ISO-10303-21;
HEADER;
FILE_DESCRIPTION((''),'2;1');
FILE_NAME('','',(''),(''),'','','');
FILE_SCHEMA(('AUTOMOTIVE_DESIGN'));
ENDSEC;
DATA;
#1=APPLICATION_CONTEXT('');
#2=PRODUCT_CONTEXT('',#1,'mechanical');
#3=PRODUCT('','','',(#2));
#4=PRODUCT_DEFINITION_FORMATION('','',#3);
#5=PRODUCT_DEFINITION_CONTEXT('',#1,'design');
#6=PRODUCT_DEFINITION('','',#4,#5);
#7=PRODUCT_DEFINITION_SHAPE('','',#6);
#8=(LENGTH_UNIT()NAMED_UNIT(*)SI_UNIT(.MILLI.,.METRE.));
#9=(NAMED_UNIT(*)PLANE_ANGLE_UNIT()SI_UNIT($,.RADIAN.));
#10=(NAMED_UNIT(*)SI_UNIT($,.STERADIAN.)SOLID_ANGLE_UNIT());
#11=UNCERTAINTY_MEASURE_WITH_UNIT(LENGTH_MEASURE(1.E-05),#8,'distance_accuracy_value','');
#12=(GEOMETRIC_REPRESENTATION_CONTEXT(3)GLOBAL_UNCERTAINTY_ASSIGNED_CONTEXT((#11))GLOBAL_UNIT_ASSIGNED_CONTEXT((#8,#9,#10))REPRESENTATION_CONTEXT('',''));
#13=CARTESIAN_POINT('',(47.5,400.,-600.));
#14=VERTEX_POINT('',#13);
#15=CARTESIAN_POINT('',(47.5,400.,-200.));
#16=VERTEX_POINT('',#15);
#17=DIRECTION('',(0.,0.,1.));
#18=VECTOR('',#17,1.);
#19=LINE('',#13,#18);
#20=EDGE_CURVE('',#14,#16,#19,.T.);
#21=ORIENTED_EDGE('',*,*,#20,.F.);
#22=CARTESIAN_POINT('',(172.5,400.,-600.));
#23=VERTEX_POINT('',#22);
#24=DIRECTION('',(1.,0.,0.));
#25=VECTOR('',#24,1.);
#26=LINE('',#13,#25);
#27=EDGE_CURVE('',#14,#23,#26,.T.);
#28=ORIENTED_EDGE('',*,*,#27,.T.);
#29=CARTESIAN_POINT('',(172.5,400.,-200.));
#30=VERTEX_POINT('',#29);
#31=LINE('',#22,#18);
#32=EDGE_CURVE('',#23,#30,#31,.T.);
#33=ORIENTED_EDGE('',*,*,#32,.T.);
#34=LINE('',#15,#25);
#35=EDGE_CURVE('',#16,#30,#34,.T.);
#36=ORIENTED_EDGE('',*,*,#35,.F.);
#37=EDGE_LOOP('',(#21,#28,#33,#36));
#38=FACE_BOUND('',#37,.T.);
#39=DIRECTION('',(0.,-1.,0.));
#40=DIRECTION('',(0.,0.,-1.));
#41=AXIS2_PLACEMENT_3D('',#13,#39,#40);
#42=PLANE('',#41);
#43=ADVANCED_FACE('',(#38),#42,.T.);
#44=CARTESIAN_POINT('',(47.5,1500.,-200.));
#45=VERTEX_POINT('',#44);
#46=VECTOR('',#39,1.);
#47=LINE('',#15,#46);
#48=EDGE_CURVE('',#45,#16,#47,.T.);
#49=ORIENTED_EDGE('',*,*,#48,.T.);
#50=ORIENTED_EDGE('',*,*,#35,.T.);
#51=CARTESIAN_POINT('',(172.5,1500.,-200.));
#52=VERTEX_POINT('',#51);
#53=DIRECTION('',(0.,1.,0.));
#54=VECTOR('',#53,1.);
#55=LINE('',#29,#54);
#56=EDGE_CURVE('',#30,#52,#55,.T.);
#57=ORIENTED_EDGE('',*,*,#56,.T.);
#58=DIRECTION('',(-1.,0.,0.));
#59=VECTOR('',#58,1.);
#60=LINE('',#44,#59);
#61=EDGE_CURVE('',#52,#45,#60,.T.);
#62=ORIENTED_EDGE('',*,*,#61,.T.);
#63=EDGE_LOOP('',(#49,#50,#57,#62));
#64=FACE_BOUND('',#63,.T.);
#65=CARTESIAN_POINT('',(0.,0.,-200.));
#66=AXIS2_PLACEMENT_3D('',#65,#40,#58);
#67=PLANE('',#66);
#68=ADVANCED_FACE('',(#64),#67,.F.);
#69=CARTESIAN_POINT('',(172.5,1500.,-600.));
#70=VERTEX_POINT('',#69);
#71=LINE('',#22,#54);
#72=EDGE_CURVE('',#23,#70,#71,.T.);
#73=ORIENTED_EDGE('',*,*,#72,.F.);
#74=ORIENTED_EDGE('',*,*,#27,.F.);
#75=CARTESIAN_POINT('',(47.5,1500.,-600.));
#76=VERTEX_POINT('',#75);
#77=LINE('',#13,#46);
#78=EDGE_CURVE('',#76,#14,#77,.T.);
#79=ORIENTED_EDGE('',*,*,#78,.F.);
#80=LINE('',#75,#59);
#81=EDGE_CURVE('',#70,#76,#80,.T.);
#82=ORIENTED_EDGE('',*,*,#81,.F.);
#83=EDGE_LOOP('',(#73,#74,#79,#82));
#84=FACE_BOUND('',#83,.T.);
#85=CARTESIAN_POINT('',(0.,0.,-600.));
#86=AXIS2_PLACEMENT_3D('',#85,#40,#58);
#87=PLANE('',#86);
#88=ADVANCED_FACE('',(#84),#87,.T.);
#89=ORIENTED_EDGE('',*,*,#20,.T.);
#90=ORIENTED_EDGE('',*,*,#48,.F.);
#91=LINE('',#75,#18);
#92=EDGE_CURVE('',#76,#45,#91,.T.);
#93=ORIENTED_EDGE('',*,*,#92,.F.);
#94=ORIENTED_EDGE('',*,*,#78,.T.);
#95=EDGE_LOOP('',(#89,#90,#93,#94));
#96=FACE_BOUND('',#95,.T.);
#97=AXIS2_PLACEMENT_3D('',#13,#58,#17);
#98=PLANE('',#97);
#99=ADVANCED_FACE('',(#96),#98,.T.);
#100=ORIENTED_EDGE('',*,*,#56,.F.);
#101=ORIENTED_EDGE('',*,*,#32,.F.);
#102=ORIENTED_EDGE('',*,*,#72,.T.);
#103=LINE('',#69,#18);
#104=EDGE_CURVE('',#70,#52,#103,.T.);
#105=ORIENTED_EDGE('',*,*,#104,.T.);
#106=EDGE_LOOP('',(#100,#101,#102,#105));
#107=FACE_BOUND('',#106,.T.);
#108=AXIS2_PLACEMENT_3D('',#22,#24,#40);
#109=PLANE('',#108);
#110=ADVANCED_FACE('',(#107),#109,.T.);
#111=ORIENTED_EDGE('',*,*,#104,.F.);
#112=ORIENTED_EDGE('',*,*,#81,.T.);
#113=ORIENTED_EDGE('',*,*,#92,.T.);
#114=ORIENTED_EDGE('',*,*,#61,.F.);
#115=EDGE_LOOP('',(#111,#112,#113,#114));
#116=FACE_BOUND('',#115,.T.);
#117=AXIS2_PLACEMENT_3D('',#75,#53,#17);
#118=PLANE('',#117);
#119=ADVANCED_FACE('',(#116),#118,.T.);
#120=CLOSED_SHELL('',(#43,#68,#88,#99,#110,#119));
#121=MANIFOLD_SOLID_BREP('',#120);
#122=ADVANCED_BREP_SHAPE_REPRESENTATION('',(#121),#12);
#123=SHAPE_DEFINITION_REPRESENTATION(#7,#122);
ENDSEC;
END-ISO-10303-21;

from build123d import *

# Parameters (mm, degrees)
TOPPING_EVAPORATOR_SOL_KANAL_1_START = -200
SKETCH1_W                            = 125
SKETCH1_H                            = 1100
TOPPING_EVAPORATOR_SOL_KANAL_1_DEPTH = 400


with BuildPart() as part:
    # Sketch1 → TOPPING_evaporator_sol_kanal_1 (new body)
    with BuildSketch(Plane.XY.offset(TOPPING_EVAPORATOR_SOL_KANAL_1_START)):
        with Locations((110, 950)):
            Rectangle(SKETCH1_W, SKETCH1_H)
    extrude(amount=-TOPPING_EVAPORATOR_SOL_KANAL_1_DEPTH)


solid = part.part
